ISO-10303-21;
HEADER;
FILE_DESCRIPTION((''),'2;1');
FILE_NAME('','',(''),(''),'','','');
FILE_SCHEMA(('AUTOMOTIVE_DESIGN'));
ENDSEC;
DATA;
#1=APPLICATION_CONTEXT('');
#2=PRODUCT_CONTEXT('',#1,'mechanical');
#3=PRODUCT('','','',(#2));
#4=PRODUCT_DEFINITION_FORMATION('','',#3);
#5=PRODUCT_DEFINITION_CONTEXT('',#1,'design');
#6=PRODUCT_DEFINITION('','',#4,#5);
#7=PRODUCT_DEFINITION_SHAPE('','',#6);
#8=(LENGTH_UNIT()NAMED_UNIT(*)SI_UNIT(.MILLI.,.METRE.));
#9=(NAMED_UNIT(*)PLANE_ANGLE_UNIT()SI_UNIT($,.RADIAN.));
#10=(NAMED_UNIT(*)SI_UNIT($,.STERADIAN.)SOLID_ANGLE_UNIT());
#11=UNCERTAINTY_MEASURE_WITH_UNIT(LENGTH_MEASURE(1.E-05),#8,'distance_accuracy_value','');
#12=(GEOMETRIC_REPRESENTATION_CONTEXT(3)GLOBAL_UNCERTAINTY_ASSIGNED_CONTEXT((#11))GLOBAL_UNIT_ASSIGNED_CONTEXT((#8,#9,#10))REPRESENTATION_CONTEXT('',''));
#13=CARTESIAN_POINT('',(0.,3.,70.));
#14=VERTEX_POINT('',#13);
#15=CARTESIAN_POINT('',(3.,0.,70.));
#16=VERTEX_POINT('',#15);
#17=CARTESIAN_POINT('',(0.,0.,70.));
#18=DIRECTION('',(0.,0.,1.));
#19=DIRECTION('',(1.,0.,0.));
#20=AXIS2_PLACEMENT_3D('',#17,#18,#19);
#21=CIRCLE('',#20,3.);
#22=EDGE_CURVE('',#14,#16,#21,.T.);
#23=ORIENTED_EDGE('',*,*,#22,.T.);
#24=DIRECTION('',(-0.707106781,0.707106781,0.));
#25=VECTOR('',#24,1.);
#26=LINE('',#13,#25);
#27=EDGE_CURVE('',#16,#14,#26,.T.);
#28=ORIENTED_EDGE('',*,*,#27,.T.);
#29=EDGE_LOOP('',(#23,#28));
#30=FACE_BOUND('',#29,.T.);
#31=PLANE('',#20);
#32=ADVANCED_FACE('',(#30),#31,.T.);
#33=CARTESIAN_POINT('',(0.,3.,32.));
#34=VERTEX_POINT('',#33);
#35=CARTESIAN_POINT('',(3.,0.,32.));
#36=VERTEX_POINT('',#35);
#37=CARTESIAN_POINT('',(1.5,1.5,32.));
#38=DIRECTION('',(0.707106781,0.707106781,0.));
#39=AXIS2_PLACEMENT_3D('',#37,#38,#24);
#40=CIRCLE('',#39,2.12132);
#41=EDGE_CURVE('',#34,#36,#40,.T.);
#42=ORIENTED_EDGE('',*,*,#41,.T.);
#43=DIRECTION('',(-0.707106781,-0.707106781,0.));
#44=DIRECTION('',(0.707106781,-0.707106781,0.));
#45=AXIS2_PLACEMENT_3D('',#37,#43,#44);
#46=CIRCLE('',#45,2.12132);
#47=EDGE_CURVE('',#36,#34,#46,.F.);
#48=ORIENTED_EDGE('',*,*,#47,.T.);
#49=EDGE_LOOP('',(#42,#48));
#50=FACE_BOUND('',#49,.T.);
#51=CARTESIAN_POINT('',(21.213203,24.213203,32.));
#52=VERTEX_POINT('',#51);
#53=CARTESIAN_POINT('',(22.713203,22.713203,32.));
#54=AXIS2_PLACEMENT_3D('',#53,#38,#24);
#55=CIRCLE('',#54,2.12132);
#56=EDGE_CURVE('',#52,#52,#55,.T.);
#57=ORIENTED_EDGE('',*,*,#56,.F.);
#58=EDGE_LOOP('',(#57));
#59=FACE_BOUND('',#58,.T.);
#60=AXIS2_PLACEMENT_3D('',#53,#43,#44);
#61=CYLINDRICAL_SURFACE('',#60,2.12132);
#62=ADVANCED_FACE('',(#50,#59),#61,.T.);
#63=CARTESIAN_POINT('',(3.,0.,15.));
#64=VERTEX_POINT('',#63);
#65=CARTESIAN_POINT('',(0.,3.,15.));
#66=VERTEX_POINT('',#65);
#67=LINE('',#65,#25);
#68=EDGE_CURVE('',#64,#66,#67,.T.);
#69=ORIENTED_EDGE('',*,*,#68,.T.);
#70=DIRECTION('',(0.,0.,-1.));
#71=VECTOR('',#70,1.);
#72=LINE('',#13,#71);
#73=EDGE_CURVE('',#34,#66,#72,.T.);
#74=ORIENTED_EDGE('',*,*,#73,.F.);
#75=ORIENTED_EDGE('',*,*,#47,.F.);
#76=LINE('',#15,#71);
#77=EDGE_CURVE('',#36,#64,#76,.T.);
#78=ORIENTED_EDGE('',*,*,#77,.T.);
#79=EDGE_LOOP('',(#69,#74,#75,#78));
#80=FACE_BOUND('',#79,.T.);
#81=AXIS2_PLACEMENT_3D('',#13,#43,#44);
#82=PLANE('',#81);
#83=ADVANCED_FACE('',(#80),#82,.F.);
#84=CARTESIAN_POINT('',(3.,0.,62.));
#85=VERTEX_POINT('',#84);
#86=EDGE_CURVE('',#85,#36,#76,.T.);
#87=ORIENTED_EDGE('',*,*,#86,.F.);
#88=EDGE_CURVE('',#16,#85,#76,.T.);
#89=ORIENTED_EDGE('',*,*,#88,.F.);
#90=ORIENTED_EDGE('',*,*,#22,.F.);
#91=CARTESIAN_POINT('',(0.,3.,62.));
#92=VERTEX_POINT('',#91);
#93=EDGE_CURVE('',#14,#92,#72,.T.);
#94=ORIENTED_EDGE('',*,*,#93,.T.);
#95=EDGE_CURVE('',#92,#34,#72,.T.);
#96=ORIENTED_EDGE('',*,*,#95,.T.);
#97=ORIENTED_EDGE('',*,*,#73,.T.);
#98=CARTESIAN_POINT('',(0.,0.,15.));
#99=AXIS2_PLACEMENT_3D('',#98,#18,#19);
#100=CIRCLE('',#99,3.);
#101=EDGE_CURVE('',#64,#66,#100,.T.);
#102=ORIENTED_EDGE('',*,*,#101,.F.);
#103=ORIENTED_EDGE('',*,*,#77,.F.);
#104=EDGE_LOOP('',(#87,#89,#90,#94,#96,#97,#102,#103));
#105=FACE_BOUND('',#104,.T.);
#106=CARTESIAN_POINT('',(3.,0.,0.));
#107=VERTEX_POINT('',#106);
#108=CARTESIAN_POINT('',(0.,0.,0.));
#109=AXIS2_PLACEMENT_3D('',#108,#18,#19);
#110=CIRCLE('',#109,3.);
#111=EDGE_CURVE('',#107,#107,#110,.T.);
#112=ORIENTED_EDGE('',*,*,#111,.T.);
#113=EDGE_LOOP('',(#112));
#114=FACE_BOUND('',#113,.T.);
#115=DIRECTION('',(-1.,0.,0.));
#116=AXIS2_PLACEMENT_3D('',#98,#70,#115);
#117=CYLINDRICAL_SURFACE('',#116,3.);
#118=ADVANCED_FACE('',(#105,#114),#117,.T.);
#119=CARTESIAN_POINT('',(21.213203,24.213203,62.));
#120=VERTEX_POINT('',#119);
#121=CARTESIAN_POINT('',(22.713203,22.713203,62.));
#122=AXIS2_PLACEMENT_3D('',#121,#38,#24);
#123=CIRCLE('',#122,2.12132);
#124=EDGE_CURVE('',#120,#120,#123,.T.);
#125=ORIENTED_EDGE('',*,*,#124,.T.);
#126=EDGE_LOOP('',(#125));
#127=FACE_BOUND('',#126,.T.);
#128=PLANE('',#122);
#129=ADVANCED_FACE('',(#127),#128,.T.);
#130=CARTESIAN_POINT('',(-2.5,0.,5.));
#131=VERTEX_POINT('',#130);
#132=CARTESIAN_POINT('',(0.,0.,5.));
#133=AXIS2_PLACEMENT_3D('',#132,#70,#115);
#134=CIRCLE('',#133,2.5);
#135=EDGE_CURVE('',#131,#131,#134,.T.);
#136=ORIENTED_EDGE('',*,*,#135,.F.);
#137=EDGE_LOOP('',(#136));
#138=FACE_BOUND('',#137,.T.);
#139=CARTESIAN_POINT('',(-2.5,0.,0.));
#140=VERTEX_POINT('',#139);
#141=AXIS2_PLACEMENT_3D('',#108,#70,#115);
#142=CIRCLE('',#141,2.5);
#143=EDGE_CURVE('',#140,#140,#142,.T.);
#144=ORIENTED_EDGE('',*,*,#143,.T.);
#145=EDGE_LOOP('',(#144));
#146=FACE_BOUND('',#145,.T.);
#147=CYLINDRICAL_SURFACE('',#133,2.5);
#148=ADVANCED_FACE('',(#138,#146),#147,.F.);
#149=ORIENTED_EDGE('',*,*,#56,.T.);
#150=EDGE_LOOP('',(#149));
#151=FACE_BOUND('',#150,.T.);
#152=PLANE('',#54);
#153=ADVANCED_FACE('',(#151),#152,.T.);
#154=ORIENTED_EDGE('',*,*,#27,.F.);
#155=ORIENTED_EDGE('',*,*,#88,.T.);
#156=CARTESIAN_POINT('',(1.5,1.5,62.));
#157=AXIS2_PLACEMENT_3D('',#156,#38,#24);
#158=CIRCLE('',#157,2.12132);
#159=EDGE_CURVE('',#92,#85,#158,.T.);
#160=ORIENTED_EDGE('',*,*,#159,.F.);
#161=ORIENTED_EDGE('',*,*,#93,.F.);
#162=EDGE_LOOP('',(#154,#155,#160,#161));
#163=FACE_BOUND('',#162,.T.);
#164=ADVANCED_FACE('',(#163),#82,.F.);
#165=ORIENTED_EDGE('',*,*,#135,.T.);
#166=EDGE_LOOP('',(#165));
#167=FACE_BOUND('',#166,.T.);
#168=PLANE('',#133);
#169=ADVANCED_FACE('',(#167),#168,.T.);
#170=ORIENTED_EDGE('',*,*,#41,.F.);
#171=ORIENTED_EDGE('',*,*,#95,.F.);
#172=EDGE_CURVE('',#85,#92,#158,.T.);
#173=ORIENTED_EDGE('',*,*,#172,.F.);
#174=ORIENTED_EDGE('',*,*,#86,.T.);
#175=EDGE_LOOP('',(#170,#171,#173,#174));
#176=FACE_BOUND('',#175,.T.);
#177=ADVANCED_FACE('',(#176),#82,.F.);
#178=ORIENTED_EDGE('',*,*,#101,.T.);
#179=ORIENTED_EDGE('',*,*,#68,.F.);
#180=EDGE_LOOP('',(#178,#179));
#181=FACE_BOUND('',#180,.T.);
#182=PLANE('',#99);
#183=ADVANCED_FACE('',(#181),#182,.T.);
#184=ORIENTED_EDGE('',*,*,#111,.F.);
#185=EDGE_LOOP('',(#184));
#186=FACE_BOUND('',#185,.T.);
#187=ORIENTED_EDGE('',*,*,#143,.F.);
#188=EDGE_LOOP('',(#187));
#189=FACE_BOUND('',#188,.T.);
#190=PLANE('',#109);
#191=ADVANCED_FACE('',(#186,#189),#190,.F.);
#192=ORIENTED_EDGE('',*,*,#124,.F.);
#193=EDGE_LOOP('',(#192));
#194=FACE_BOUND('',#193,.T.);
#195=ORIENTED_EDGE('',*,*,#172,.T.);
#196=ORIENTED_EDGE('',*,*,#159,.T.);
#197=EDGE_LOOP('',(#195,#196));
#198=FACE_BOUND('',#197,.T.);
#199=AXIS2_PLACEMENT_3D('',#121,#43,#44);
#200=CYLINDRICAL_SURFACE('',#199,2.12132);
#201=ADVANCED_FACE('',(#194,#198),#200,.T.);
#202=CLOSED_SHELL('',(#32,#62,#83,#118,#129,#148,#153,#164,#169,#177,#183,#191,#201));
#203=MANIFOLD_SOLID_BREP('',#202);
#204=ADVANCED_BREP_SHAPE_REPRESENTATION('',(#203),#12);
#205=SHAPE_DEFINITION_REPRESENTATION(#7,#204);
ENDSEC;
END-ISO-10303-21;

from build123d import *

# Parameters (mm, degrees)
ESQUISSE1_R             = 3
BOSS_EXTRU_1_DEPTH      = 15
ESQUISSE2_R             = 2.5
ENL_V_MAT_EXTRU_1_DEPTH = 5
BOSS_EXTRU_2_DEPTH      = 55
ESQUISSE4_R             = 2.121320344
BOSS_EXTRU_3_DEPTH      = 30


with BuildPart() as part:
    # Esquisse1 → Boss.-Extru.1 (new body)
    with BuildSketch(Plane.XY):
        Circle(ESQUISSE1_R)
    extrude(amount=BOSS_EXTRU_1_DEPTH)

    # Esquisse2 → Enlèv. mat.-Extru.1 (cut)
    with BuildSketch(Plane(origin=(0, 0, 0), x_dir=(-1, 0, 0), z_dir=(0, 0, -1))):
        Circle(ESQUISSE2_R)
    extrude(amount=-ENL_V_MAT_EXTRU_1_DEPTH, mode=Mode.SUBTRACT)

    # Esquisse3 → Boss.-Extru.2 (add)
    with BuildSketch(Plane.XY.offset(15)):
        with BuildLine():
            Line((0, 3), (3, 0))
            ThreePointArc((3, 0), (-2.121320344, -2.121320344), (0, 3))
        make_face()
    extrude(amount=BOSS_EXTRU_2_DEPTH)

    # Esquisse4 → Boss.-Extru.3 (add)
    with BuildSketch(Plane(origin=(1.5, 1.5, 0), x_dir=(0, 0, -1), z_dir=(0.7071067811865477, 0.7071067811865475, 0))):
        with Locations(Location((-62, 0, 0), (0, 0, 90))):
            Circle(ESQUISSE4_R)
        with Locations(Location((-32, 0, 0), (0, 0, 90))):
            Circle(ESQUISSE4_R)
    extrude(amount=BOSS_EXTRU_3_DEPTH)


solid = part.part
